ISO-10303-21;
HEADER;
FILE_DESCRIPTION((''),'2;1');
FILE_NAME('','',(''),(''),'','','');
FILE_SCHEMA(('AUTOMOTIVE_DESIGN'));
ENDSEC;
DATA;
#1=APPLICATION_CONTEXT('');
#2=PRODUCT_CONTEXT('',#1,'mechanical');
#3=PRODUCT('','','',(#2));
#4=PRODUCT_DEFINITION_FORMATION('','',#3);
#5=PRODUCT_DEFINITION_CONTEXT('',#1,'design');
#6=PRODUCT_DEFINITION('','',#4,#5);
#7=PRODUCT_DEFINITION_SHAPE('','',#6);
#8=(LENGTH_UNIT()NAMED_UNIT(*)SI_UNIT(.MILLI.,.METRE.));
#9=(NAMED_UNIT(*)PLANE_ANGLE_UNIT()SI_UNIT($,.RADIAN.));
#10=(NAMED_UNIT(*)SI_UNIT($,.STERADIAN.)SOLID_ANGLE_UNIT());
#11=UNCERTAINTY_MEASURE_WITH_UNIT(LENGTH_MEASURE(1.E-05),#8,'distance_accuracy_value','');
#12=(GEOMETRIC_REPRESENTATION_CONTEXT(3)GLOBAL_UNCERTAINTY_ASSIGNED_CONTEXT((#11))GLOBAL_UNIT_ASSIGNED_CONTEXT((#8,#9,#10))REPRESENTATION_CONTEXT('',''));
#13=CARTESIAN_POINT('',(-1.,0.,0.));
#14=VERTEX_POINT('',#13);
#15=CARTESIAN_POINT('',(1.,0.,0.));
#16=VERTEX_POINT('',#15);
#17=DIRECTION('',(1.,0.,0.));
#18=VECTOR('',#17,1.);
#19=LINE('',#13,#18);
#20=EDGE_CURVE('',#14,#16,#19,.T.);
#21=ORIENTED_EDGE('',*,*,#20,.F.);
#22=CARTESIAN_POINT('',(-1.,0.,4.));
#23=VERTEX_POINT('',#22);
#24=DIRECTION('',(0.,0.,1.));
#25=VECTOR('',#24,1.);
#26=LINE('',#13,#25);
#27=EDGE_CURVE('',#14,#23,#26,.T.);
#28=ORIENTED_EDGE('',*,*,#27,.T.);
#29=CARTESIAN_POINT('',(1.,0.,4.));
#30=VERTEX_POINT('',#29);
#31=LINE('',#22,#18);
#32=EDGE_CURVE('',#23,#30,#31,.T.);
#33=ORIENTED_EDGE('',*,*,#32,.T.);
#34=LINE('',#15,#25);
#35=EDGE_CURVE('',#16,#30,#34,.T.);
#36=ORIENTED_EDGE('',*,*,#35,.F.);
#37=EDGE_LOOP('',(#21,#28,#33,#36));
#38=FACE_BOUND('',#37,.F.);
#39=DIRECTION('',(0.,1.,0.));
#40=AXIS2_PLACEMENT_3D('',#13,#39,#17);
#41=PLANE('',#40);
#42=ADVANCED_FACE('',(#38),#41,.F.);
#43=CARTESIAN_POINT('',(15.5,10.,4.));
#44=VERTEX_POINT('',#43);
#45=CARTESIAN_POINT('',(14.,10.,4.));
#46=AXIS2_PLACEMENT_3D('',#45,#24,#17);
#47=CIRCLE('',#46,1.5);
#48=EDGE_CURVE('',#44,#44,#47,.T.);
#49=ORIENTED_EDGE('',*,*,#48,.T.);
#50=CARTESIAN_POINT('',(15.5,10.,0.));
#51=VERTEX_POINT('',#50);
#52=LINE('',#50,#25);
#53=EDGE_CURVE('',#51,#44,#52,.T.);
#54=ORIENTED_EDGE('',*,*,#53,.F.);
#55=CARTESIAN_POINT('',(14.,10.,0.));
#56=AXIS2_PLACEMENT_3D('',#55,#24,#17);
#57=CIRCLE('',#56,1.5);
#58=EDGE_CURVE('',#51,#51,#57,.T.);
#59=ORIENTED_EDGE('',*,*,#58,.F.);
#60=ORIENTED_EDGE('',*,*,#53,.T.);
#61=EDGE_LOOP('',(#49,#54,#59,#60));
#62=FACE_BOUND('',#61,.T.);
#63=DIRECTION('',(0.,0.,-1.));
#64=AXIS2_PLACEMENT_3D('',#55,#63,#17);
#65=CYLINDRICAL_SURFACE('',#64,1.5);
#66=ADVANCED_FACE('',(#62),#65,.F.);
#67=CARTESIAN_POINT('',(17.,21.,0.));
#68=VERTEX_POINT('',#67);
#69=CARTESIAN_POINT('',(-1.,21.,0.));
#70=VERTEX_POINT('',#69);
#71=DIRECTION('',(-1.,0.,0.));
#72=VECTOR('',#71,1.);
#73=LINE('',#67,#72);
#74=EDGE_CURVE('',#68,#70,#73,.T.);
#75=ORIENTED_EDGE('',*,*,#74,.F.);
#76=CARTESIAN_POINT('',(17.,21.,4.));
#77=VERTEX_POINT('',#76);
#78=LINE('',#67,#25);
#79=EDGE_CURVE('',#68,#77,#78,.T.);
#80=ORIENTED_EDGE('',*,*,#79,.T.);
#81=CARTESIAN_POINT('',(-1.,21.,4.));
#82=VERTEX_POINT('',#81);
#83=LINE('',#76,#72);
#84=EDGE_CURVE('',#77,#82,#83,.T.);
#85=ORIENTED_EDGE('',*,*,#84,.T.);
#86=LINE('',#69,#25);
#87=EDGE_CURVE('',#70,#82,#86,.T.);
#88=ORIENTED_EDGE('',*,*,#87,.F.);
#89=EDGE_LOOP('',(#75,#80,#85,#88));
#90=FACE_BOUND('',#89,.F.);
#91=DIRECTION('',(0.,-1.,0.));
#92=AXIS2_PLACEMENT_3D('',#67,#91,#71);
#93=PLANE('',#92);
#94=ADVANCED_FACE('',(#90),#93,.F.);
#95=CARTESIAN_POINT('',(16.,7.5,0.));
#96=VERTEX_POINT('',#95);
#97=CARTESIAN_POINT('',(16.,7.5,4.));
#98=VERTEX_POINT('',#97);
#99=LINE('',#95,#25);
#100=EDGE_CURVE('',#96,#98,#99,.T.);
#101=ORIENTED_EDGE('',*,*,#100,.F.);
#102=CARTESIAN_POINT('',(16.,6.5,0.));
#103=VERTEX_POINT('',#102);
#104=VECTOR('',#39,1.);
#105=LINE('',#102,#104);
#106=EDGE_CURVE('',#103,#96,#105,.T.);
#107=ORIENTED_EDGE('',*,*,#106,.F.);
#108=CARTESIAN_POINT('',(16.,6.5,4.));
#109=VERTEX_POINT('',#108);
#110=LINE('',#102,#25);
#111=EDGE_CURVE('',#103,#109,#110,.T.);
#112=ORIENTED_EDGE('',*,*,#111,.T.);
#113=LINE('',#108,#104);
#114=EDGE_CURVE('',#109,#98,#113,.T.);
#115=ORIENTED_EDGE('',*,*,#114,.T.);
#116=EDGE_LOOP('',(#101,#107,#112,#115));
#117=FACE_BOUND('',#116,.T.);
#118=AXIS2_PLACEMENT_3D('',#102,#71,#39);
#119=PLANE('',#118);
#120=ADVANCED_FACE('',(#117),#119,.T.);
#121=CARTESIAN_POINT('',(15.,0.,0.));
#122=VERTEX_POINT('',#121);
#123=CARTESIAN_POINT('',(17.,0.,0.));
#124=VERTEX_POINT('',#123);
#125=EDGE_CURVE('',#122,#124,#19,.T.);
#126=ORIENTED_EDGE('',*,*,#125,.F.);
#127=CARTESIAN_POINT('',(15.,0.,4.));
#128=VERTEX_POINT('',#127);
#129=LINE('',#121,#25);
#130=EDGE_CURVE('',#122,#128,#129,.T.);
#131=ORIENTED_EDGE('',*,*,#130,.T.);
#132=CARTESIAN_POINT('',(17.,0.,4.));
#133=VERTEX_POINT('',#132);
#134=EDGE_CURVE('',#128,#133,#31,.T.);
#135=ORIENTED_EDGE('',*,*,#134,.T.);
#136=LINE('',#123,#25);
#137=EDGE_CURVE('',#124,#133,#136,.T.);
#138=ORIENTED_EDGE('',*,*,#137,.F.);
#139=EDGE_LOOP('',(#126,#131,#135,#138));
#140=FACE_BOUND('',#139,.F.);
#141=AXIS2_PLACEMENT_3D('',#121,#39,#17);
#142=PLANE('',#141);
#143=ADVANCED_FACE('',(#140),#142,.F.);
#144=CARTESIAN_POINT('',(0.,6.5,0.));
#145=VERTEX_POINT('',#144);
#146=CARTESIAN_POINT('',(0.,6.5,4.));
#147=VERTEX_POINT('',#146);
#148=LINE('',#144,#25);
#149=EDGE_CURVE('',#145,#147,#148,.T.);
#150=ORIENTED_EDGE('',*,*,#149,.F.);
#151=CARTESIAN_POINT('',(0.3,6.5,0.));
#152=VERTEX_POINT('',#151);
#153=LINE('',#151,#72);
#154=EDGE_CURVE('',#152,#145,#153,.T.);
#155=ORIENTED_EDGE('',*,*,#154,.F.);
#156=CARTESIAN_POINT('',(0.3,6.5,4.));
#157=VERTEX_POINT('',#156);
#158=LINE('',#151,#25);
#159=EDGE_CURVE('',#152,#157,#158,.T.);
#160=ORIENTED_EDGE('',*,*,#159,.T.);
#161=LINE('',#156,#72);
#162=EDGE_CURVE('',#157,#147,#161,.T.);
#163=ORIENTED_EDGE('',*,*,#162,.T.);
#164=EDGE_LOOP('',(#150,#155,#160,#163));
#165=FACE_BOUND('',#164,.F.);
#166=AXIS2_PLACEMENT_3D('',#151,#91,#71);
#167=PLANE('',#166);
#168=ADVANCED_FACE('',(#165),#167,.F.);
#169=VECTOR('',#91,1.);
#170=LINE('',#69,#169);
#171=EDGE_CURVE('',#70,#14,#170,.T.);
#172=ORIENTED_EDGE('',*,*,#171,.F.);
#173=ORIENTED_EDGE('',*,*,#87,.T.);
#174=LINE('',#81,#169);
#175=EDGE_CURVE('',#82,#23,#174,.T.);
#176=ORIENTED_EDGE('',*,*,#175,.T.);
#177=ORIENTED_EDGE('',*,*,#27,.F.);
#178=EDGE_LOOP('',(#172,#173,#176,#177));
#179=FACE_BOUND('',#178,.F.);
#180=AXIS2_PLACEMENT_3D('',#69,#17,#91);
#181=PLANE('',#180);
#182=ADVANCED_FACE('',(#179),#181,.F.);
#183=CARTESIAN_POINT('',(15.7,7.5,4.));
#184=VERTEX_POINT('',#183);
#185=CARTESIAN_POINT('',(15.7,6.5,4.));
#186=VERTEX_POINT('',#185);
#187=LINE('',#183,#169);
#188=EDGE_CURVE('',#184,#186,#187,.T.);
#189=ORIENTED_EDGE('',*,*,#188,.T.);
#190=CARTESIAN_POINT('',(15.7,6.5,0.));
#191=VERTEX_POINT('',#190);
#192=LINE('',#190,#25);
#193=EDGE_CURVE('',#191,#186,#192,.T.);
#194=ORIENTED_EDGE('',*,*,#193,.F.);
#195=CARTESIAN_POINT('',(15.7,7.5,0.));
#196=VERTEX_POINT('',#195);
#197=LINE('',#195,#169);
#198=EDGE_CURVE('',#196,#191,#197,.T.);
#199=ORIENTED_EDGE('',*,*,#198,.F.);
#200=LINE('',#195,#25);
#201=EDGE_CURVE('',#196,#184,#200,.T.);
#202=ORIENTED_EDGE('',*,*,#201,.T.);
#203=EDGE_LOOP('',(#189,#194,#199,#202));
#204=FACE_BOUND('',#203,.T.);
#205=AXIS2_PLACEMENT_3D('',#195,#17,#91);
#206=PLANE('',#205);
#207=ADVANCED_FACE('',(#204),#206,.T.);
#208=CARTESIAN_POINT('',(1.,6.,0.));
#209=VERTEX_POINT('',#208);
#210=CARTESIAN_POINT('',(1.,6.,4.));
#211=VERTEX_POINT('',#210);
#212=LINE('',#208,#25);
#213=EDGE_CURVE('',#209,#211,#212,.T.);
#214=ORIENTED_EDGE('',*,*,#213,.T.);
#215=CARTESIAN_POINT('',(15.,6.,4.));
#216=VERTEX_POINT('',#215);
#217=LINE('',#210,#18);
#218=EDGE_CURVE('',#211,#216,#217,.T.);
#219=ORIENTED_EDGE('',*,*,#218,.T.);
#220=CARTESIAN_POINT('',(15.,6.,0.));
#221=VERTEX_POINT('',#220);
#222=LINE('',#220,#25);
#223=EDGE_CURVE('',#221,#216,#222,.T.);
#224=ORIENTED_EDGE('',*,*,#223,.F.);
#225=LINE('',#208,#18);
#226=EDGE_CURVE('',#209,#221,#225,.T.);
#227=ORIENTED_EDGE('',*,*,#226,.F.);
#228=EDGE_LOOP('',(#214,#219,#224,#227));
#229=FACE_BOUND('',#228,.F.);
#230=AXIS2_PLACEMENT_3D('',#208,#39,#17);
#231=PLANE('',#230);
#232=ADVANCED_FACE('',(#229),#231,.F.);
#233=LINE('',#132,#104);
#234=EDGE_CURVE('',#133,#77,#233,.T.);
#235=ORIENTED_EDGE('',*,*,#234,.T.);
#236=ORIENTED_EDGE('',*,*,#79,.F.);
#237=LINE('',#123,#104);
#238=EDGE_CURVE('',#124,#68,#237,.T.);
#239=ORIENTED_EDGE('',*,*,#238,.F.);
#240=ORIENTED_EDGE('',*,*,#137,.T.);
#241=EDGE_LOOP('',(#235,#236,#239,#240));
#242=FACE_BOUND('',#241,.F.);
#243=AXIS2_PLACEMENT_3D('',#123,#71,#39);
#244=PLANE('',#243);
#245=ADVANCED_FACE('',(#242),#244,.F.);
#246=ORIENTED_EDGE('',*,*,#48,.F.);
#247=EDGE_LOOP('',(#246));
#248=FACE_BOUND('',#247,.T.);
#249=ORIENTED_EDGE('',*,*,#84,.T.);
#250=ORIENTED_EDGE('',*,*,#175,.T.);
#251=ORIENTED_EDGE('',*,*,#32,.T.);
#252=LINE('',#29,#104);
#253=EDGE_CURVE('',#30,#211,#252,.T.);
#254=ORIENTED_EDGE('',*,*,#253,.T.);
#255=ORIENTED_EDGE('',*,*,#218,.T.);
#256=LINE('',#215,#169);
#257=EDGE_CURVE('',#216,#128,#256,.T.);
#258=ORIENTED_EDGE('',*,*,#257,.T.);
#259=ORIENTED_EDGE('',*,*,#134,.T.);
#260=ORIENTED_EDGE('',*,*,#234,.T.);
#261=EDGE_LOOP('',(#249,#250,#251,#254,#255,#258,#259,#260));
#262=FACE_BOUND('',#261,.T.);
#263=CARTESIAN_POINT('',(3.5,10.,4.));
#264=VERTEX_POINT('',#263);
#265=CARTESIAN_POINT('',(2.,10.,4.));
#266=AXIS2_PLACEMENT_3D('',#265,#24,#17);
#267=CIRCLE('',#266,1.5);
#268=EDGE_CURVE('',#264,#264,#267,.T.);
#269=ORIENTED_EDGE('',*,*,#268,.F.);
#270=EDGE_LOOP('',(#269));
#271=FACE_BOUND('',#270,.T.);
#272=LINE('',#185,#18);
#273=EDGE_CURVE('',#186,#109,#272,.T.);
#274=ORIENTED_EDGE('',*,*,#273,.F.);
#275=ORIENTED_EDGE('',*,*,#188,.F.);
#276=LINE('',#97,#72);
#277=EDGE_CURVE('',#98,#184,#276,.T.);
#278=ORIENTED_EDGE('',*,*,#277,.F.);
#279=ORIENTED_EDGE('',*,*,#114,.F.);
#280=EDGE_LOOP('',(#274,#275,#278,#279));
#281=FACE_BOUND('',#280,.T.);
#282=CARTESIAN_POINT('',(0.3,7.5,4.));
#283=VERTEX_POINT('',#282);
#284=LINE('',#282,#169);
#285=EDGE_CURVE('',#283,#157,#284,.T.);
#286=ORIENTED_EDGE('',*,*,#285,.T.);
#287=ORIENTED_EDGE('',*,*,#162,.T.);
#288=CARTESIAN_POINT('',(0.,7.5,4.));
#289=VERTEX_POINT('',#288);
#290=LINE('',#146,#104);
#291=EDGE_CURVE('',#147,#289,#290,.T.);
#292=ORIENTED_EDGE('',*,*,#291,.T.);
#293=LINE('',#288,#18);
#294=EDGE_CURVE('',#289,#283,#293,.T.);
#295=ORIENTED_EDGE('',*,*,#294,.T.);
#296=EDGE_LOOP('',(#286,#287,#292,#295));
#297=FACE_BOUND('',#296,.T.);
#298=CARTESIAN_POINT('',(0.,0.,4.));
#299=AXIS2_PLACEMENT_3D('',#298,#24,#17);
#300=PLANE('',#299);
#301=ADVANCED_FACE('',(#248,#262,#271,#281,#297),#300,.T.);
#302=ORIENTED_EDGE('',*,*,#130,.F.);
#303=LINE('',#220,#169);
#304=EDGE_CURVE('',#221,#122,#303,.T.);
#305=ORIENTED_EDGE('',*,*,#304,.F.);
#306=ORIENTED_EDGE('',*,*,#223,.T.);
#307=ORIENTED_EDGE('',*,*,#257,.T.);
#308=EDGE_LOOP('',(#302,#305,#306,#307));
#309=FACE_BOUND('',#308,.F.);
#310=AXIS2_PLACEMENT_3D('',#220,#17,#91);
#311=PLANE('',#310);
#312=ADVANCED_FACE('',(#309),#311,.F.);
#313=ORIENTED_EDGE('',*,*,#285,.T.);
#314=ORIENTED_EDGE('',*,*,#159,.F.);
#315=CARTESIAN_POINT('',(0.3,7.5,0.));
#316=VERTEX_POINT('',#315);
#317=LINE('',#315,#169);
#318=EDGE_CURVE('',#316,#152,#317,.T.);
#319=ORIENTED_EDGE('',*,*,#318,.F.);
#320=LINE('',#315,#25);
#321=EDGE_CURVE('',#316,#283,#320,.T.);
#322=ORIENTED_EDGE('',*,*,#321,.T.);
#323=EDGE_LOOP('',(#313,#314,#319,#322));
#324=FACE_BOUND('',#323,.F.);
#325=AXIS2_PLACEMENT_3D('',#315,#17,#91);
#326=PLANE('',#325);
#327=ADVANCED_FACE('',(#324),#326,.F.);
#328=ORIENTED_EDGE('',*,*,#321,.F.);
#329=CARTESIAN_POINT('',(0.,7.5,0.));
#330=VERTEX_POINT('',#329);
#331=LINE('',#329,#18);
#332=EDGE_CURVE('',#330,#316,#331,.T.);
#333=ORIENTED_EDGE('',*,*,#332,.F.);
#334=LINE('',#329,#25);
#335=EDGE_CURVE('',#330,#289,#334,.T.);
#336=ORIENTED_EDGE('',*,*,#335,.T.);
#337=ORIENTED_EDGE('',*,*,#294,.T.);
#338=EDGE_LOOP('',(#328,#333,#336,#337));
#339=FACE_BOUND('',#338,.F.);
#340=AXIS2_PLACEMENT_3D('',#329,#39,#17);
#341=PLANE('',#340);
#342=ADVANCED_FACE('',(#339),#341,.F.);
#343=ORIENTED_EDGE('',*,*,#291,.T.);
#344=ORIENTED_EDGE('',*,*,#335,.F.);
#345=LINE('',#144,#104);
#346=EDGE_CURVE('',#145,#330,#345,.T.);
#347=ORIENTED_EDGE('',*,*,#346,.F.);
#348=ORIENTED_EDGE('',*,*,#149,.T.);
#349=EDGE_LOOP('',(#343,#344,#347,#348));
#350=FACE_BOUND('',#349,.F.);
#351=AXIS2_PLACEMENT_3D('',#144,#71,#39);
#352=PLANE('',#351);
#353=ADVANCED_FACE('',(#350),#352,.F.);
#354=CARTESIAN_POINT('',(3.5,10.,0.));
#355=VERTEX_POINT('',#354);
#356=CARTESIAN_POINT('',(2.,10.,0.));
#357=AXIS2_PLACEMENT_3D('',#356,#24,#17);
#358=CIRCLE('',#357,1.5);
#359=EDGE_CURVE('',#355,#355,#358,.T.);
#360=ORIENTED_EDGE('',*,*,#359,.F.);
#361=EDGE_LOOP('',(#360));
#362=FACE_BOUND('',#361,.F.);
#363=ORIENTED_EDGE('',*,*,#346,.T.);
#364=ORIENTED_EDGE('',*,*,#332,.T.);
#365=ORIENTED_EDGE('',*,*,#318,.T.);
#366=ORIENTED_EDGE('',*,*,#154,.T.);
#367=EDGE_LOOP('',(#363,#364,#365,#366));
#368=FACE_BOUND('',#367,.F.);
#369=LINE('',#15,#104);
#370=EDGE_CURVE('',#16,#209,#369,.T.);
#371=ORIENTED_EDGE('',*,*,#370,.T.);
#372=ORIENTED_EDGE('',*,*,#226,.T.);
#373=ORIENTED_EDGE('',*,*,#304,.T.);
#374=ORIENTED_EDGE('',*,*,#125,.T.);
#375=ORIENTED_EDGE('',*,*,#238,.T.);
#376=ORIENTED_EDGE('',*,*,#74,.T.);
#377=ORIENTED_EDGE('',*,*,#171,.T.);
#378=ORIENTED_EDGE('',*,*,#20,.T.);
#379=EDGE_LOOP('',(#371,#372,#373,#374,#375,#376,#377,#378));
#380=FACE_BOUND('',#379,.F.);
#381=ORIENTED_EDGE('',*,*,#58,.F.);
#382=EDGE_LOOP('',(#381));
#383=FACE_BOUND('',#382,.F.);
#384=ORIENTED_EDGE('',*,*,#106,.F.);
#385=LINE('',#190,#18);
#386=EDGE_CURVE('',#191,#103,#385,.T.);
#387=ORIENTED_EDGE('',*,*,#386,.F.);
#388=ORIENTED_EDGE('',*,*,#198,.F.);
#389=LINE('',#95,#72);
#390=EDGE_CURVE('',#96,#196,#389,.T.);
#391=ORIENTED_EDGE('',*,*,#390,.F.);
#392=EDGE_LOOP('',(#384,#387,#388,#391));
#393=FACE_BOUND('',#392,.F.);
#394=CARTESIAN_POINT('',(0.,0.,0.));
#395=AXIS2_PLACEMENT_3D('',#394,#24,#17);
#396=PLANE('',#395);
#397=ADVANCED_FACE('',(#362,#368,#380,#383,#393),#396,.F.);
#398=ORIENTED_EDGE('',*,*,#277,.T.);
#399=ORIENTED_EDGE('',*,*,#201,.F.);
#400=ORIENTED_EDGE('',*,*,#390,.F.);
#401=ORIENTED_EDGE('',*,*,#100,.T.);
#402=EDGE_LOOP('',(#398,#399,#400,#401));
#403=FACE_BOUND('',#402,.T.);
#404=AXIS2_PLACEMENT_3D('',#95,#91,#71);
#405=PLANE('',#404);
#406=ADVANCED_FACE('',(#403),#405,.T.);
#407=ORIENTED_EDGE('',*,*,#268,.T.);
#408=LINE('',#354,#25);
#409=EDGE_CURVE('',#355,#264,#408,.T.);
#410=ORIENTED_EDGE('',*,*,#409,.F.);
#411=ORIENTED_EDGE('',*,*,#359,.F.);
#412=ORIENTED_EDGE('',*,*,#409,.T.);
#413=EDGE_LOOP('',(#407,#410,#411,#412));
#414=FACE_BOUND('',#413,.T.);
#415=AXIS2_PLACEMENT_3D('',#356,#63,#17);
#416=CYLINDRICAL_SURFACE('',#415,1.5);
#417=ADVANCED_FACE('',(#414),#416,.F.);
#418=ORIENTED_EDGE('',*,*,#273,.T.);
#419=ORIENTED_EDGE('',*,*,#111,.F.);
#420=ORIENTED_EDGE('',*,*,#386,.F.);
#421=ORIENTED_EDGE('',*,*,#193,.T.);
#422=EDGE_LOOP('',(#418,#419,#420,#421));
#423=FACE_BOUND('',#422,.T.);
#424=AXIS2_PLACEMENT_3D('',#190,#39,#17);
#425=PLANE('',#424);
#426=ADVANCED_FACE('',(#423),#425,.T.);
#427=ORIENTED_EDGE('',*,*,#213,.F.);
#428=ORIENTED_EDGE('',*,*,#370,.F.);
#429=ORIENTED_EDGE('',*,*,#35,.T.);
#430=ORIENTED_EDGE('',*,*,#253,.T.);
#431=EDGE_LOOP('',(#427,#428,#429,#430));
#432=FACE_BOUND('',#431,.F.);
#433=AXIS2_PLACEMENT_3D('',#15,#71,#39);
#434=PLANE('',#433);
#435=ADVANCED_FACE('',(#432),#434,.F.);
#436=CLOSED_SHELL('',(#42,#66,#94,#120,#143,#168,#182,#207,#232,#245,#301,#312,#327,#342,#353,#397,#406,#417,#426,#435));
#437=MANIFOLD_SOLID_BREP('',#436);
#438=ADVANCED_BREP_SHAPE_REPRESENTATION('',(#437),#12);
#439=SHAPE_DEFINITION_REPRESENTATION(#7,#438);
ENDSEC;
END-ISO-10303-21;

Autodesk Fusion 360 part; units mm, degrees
sketch "Sketch1" plane through (0, 0, 0) normal (0, 0, 1) x (1, 0, 0)
  circle A0 centre (2, 10) radius 1.5
  circle A1 centre (14, 10) radius 1.5
  line L0 (-1, 0) -> (17, 0)
  line L1 (17, 0) -> (17, 21)
  line L2 (17, 21) -> (-1, 21)
  line L3 (-1, 21) -> (-1, 0)
  line L4 (0.3, 6.5) -> (0, 6.5)
  line L5 (0, 6.5) -> (0, 7.5)
  line L6 (0, 7.5) -> (0.3, 7.5)
  line L7 (0.3, 7.5) -> (0.3, 6.5)
  line L8 (15.7, 7.5) -> (15.7, 6.5)
  line L9 (16, 7.5) -> (15.7, 7.5)
  line L10 (16, 6.5) -> (16, 7.5)
  line L11 (15.7, 6.5) -> (16, 6.5)
  line L12 (1, 0) -> (1, 6)
  line L13 (1, 6) -> (15, 6)
  line L14 (15, 6) -> (15, 0)
  dimension "d3" = 3
  dimension "d4" = 3
  dimension "d6" = 1
  dimension "d7" = 0.3
extrude "Extrude1" add sketch "Sketch1" along normal blind 4 contours L0 L1 L2 L3 L12 L13 L14
